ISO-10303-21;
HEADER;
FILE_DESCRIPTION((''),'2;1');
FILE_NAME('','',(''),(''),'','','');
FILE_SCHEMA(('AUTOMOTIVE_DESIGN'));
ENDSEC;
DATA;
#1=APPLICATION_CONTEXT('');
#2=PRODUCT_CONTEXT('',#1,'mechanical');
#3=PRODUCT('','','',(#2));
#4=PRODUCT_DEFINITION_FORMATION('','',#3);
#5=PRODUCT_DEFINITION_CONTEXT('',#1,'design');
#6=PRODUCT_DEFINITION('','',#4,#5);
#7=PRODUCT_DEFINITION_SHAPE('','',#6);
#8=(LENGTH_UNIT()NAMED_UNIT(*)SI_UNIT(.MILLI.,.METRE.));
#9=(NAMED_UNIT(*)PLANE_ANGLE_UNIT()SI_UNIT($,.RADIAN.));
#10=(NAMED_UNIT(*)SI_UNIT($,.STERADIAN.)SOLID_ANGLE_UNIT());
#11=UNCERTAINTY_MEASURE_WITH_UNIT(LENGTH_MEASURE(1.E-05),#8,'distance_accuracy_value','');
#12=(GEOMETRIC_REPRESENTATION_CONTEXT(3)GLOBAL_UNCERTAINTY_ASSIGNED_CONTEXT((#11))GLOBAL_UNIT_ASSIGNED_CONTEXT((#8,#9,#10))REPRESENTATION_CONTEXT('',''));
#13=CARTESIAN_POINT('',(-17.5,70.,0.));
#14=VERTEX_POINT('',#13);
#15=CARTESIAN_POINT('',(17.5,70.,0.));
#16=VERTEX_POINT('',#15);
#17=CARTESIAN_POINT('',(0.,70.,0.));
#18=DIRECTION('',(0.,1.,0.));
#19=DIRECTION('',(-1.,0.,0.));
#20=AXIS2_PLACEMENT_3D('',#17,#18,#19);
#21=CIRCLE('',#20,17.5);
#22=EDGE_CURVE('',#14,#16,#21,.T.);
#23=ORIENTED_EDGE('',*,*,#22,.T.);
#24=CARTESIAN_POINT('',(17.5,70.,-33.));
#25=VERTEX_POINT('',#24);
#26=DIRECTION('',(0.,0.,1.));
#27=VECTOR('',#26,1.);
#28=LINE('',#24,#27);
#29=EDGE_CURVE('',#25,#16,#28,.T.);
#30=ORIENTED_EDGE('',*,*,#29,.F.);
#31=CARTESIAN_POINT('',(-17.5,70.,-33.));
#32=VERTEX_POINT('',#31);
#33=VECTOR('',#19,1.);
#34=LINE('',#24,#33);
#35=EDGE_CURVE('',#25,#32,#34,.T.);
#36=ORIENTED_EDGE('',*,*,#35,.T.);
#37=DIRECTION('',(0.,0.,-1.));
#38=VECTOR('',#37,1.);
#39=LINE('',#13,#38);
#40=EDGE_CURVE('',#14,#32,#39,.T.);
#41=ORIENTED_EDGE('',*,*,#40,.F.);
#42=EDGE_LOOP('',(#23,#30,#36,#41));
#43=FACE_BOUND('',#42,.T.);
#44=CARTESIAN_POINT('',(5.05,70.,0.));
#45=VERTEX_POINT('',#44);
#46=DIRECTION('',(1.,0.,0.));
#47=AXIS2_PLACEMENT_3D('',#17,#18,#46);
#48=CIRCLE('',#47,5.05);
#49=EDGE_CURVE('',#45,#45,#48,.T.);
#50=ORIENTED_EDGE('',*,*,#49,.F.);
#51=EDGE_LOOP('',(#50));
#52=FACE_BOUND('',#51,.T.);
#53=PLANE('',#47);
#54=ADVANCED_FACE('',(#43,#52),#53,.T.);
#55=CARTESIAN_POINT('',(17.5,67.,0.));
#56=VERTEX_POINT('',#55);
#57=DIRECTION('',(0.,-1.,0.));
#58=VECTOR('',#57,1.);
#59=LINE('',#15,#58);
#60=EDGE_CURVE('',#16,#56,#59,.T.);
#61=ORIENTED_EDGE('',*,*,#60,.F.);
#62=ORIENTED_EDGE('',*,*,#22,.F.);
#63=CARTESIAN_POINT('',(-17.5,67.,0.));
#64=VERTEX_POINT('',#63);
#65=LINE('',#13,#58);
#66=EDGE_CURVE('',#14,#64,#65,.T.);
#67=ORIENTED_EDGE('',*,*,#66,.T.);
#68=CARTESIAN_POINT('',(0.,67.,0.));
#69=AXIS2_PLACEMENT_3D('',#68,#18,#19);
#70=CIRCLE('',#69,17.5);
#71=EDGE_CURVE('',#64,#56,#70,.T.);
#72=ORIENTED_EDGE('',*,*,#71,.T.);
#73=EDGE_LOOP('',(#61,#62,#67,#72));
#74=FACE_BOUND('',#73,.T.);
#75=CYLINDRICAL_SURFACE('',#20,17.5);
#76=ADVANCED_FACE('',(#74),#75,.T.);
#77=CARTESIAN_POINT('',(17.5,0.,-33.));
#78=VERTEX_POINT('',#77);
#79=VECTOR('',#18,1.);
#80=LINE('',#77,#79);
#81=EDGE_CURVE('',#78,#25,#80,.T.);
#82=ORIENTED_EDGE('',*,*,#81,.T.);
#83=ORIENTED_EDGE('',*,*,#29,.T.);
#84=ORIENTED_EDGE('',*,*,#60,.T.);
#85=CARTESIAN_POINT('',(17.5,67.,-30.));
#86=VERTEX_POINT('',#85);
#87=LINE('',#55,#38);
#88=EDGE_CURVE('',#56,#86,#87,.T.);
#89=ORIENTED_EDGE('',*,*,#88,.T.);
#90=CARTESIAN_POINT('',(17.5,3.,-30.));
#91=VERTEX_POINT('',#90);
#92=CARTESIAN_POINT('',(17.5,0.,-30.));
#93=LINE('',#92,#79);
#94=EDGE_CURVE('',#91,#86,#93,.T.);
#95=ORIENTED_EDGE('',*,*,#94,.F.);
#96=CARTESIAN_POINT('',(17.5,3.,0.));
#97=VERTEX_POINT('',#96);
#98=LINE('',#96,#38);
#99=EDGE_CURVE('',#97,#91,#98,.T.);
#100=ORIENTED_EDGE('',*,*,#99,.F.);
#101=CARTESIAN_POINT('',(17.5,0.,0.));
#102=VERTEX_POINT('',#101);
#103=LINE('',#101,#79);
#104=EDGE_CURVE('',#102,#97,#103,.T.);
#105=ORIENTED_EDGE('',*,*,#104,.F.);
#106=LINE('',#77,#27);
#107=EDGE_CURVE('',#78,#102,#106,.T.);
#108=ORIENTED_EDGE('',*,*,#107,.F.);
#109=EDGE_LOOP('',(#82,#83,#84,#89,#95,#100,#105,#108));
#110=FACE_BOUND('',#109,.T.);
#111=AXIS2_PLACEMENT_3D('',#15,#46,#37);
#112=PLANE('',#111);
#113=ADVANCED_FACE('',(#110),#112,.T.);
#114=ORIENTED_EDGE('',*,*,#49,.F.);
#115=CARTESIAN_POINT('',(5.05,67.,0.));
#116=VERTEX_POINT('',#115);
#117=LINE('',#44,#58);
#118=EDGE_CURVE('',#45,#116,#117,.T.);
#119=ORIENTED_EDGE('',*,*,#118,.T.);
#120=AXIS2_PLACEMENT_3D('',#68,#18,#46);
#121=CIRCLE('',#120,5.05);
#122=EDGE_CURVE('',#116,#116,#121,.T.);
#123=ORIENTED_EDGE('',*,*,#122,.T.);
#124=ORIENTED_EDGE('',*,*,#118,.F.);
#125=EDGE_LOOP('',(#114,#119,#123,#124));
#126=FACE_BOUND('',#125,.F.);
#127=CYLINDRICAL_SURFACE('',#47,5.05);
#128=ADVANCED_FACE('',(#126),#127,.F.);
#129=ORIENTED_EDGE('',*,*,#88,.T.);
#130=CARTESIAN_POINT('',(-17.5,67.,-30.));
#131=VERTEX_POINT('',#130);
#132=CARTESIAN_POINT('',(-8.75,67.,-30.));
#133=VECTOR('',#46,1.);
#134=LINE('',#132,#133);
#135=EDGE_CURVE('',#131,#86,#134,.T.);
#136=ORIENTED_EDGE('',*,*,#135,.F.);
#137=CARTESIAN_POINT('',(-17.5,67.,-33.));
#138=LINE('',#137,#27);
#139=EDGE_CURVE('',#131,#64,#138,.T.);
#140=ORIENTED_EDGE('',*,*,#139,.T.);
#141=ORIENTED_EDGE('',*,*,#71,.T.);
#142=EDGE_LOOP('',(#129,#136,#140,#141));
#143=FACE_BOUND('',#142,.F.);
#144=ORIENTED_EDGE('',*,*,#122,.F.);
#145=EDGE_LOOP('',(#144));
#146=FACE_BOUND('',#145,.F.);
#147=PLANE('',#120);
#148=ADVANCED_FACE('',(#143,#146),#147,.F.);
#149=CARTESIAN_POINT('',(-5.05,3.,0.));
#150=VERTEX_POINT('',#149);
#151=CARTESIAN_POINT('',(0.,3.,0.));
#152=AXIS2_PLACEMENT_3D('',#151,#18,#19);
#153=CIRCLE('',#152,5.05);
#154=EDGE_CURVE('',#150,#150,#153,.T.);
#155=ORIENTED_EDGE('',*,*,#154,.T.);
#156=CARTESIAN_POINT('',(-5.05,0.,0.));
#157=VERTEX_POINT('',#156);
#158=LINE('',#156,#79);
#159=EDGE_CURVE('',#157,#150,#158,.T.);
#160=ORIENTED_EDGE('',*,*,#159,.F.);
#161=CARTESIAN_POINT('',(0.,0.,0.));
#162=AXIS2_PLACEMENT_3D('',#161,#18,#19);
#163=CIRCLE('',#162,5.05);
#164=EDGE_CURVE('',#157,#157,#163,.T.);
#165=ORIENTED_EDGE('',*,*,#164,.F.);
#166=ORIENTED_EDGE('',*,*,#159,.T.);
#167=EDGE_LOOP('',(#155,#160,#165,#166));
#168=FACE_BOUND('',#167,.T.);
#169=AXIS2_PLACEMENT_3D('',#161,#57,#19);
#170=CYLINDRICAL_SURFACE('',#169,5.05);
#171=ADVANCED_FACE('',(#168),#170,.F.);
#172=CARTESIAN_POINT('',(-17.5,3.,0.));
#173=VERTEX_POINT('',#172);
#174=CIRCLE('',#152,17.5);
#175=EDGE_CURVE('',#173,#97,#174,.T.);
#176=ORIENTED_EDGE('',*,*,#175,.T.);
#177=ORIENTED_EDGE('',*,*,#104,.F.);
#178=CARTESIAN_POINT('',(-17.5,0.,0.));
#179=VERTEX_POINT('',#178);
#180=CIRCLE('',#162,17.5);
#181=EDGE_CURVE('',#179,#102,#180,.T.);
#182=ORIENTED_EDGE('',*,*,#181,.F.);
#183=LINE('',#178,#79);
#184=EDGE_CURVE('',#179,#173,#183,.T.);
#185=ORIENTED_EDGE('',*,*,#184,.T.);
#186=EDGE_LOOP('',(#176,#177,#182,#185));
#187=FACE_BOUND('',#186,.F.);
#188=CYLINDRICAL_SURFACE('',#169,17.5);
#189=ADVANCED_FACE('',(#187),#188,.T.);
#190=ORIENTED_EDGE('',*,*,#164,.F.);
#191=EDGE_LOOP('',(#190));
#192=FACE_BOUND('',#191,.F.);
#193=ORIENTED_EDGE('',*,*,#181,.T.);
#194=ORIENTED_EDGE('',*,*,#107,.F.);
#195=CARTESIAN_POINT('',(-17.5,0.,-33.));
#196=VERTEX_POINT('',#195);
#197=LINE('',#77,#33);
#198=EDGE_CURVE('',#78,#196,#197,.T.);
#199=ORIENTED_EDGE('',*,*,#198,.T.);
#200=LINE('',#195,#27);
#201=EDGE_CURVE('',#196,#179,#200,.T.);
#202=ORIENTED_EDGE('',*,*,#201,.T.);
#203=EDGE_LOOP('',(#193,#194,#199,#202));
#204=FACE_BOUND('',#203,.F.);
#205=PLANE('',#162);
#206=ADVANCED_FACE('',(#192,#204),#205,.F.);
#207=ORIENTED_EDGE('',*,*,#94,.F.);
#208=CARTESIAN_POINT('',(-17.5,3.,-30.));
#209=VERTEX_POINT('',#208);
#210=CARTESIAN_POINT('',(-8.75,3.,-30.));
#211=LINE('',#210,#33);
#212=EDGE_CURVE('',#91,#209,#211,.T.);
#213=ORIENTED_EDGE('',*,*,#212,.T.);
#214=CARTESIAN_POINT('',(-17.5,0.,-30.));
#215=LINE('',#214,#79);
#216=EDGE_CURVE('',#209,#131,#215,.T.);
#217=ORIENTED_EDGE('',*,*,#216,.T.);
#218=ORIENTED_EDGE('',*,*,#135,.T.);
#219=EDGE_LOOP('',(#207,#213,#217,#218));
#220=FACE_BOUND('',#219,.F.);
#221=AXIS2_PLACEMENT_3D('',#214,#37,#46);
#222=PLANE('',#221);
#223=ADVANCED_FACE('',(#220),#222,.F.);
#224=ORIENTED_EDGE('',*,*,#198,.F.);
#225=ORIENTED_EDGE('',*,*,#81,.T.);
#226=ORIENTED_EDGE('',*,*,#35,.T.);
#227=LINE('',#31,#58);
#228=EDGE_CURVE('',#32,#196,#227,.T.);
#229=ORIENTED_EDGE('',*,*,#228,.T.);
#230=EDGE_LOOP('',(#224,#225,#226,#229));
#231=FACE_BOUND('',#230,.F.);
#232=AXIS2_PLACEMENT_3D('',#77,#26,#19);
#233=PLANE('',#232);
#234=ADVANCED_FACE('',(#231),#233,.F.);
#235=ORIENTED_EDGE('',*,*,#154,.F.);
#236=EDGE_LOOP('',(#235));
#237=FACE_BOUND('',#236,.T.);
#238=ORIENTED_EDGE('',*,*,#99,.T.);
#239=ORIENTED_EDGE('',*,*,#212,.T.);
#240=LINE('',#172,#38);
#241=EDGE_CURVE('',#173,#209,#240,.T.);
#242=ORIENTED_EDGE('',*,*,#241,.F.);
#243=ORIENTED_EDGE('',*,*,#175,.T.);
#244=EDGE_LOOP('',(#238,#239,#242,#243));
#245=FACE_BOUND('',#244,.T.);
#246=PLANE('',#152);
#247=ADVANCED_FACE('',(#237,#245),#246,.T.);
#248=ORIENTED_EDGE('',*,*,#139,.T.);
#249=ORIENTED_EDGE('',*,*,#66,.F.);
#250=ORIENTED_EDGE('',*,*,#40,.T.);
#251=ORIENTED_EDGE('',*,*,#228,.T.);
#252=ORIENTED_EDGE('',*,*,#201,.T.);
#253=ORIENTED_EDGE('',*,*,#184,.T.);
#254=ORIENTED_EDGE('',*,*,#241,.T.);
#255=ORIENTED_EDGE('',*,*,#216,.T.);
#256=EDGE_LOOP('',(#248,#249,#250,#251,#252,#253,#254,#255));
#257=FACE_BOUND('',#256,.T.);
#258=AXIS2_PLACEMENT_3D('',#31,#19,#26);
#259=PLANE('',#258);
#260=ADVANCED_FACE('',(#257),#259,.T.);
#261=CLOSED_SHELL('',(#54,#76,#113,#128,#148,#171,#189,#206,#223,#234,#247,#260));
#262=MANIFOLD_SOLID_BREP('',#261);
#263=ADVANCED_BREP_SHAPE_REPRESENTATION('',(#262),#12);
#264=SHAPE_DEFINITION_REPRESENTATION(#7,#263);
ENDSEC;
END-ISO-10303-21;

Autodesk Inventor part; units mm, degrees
ref_plane "YZ Plane" through (0, 0, 0) normal (1, 0, 0) x (0, 1, 0)
ref_plane "XZ Plane" through (0, 0, 0) normal (0, 1, 0) x (-1, 0, 0)
ref_plane "XY Plane" through (0, 0, 0) normal (0, 0, 1) x (1, 0, 0)
sketch "Sketch1" plane through (0, 0, 0) normal (0, 1, 0) x (-1, 0, 0)
  line L0 (0, -43.1) -> (0, 27.6) construction
  line L1 (-31.1, 0) -> (64.1, 0) construction
  arc A0 (17.5, 0) -> (-17.5, 0) centre (0, 0) ccw
  line L2 (17.5, 0) -> (17.5, -33)
  line L3 (17.5, 0) -> (50.5, 0) construction
  line L4 (-17.5, 0) -> (-17.5, -33)
  line L5 (-17.5, -33) -> (17.5, -33)
  circle A1 centre (0, 0) radius 5.05
  dimension "d0" = 35
  dimension "d1" = 33
  dimension "d2" = 90
  dimension "d3" = 10.1
extrude "Extrusion1" add sketch "Sketch1" along normal blind 3
sketch "Sketch5" plane through (0, 0, 0) normal (0, -1, 0) x (1, 0, 0)
  circle A0 centre (0, 0) radius 5.05 construction
  arc A1 (17.5, 0) -> (-17.5, 0) centre (0, 0) ccw construction
  line L0 (-17.5, -33) -> (-17.5, 0) construction
  line L1 (17.5, -33) -> (-17.5, -33) construction
  line L2 (17.5, 0) -> (17.5, -33) construction
  line L3 (17.5, 0) -> (17.5, -33) projected
  line L4 (-17.5, -33) -> (-17.5, 0) projected
  line L5 (17.5, -33) -> (-17.5, -33)
  line L6 (-17.5, -33) -> (-17.5, -30)
  line L7 (-17.5, -30) -> (17.5, -30)
  line L8 (17.5, -30) -> (17.5, -33)
  dimension "d11" = 3
extrude "Extrusion4" add sketch "Sketch5" against normal blind 70
sketch "Sketch6" plane through (0, 70, 0) normal (0, 1, 0) x (1, 0, 0)
  line L0 (17.5, 0) -> (17.5, 33) projected
  arc A0 (-17.5, 0) -> (17.5, 0) centre (0, 0) ccw projected
  line L1 (-17.5, 33) -> (-17.5, 0) projected
  line L2 (17.5, 33) -> (-17.5, 33) projected
  circle A1 centre (0, 0) radius 5.05 projected
extrude "Extrusion5" add sketch "Sketch6" against normal blind 3
properties part number "steering_kingpin_bracket" material "Steel, Mild"
